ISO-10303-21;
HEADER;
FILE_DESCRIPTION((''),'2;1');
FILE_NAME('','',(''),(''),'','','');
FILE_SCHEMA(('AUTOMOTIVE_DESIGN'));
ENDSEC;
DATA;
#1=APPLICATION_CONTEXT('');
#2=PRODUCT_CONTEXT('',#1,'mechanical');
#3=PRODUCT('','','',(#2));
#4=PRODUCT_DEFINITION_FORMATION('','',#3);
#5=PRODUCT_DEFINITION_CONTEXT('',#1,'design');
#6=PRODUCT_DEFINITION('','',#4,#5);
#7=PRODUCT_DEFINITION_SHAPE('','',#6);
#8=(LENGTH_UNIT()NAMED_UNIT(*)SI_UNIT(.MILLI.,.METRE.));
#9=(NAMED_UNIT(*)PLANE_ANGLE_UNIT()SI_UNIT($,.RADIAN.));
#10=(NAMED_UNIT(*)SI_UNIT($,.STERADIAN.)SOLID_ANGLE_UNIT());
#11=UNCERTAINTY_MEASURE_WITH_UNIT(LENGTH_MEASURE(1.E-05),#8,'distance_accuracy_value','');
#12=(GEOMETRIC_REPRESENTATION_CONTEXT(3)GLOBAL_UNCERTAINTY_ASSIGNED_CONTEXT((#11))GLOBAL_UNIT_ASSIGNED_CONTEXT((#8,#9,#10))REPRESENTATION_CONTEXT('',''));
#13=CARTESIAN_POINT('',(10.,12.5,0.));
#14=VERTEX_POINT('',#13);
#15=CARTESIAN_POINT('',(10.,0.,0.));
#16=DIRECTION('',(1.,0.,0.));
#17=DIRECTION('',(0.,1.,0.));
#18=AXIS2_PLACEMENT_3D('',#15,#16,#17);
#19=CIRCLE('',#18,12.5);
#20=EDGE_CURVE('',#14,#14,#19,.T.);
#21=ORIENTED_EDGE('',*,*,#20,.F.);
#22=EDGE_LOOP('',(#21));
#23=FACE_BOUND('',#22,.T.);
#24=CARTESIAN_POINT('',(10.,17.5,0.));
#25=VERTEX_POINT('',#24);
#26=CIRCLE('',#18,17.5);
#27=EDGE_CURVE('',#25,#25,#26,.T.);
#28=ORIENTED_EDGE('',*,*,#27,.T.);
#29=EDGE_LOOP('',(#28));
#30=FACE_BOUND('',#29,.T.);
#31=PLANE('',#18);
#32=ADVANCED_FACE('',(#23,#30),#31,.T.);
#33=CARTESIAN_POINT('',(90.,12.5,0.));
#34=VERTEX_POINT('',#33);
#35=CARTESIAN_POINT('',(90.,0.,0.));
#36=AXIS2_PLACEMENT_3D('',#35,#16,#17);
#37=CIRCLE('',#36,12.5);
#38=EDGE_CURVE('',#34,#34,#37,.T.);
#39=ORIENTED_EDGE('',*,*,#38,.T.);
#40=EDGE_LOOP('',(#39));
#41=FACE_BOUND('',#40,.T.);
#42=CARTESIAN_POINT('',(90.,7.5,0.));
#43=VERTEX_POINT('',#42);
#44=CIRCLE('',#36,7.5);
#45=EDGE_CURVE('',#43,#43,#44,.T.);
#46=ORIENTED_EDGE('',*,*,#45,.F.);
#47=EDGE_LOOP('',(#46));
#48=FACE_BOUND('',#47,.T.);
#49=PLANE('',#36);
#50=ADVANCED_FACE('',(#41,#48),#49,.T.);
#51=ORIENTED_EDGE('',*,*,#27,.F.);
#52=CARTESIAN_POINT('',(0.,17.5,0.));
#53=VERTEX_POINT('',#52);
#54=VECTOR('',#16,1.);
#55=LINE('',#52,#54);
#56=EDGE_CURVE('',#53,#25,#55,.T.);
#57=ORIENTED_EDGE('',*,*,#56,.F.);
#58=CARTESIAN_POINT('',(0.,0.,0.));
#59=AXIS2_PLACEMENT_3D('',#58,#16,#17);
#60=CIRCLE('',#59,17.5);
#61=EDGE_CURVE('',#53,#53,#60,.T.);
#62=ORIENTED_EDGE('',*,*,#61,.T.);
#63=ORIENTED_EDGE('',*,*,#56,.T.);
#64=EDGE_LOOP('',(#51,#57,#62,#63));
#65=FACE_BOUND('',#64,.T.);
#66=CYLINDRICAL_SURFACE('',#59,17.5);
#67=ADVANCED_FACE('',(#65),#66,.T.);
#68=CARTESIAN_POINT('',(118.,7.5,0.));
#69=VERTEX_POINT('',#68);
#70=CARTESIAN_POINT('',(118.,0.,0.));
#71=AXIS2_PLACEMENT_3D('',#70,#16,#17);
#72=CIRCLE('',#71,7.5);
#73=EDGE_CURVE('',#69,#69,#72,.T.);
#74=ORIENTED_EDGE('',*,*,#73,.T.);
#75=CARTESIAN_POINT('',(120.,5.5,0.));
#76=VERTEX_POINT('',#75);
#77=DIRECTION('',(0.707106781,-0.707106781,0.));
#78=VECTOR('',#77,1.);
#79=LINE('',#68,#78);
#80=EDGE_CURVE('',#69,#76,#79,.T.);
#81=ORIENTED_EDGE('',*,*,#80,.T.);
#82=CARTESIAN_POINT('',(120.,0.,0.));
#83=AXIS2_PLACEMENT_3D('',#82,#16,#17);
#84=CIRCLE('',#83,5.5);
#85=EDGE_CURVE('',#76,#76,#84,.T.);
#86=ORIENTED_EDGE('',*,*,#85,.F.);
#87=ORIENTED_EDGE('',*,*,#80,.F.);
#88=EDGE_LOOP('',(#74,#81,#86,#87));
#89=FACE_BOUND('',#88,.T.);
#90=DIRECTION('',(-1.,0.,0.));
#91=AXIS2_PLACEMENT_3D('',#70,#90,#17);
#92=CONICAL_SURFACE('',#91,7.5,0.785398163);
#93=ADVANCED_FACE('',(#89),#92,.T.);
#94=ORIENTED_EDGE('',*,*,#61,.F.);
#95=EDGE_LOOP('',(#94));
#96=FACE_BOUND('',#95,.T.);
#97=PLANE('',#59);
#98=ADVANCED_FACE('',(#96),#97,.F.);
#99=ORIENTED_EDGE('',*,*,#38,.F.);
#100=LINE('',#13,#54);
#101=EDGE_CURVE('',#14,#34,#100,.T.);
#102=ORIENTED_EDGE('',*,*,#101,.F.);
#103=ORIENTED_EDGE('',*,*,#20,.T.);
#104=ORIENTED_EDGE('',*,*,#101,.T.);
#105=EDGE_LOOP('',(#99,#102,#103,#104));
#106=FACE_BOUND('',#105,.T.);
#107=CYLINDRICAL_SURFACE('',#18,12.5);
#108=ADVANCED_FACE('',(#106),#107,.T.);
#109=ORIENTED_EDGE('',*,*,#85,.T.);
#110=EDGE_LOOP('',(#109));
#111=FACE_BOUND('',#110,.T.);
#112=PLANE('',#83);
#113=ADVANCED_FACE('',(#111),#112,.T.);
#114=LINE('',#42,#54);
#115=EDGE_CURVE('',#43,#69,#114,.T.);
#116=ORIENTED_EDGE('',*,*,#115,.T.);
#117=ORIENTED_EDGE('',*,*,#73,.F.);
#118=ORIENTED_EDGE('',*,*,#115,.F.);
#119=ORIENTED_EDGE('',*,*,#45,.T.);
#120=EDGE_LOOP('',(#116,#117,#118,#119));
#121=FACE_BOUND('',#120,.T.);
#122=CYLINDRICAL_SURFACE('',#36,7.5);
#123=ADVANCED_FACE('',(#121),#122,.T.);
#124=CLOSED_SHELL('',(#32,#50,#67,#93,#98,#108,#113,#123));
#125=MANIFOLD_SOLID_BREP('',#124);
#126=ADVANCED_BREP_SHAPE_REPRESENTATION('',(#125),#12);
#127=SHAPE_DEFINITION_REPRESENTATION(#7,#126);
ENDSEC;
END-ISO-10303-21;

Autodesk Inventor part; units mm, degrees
ref_plane "Начальная плоскость" through (0, 0, 0) normal (1, 0, 0) x (0, 1, 0)
ref_plane "XZ Plane" through (0, 0, 0) normal (0, 1, 0) x (-1, 0, 0)
ref_plane "XY Plane" through (0, 0, 0) normal (0, 0, 1) x (1, 0, 0)
sketch "Основной эскиз" plane through (0, 0, 0) normal (0, 0, 1) x (1, 0, 0)
  line L0 (0, 0) -> (120, 0)
  line L1 (0, 0) -> (0, 17.5)
  line L2 (10, 17.5) -> (10, 12.5)
  line L3 (0, 17.5) -> (10, 17.5)
  line L4 (90, 12.5) -> (90, 7.5)
  line L5 (10, 12.5) -> (90, 12.5)
  line L6 (120, 7.5) -> (120, 0)
  line L7 (90, 7.5) -> (120, 7.5)
  dimension "d3" = 35
  dimension "d4" = 25
  dimension "d5" = 15
revolve "Вращение1" add sketch "Основной эскиз" angle 360 about axis through (0, 0, 0) along (1, 0, 0)
chamfer "Фаска1" distance 2 angle 45 1 edges at (120, -7.5, 0) measured on face at (100, 7.4757, -0.6035)
properties part number "Вал" material "Steel"
